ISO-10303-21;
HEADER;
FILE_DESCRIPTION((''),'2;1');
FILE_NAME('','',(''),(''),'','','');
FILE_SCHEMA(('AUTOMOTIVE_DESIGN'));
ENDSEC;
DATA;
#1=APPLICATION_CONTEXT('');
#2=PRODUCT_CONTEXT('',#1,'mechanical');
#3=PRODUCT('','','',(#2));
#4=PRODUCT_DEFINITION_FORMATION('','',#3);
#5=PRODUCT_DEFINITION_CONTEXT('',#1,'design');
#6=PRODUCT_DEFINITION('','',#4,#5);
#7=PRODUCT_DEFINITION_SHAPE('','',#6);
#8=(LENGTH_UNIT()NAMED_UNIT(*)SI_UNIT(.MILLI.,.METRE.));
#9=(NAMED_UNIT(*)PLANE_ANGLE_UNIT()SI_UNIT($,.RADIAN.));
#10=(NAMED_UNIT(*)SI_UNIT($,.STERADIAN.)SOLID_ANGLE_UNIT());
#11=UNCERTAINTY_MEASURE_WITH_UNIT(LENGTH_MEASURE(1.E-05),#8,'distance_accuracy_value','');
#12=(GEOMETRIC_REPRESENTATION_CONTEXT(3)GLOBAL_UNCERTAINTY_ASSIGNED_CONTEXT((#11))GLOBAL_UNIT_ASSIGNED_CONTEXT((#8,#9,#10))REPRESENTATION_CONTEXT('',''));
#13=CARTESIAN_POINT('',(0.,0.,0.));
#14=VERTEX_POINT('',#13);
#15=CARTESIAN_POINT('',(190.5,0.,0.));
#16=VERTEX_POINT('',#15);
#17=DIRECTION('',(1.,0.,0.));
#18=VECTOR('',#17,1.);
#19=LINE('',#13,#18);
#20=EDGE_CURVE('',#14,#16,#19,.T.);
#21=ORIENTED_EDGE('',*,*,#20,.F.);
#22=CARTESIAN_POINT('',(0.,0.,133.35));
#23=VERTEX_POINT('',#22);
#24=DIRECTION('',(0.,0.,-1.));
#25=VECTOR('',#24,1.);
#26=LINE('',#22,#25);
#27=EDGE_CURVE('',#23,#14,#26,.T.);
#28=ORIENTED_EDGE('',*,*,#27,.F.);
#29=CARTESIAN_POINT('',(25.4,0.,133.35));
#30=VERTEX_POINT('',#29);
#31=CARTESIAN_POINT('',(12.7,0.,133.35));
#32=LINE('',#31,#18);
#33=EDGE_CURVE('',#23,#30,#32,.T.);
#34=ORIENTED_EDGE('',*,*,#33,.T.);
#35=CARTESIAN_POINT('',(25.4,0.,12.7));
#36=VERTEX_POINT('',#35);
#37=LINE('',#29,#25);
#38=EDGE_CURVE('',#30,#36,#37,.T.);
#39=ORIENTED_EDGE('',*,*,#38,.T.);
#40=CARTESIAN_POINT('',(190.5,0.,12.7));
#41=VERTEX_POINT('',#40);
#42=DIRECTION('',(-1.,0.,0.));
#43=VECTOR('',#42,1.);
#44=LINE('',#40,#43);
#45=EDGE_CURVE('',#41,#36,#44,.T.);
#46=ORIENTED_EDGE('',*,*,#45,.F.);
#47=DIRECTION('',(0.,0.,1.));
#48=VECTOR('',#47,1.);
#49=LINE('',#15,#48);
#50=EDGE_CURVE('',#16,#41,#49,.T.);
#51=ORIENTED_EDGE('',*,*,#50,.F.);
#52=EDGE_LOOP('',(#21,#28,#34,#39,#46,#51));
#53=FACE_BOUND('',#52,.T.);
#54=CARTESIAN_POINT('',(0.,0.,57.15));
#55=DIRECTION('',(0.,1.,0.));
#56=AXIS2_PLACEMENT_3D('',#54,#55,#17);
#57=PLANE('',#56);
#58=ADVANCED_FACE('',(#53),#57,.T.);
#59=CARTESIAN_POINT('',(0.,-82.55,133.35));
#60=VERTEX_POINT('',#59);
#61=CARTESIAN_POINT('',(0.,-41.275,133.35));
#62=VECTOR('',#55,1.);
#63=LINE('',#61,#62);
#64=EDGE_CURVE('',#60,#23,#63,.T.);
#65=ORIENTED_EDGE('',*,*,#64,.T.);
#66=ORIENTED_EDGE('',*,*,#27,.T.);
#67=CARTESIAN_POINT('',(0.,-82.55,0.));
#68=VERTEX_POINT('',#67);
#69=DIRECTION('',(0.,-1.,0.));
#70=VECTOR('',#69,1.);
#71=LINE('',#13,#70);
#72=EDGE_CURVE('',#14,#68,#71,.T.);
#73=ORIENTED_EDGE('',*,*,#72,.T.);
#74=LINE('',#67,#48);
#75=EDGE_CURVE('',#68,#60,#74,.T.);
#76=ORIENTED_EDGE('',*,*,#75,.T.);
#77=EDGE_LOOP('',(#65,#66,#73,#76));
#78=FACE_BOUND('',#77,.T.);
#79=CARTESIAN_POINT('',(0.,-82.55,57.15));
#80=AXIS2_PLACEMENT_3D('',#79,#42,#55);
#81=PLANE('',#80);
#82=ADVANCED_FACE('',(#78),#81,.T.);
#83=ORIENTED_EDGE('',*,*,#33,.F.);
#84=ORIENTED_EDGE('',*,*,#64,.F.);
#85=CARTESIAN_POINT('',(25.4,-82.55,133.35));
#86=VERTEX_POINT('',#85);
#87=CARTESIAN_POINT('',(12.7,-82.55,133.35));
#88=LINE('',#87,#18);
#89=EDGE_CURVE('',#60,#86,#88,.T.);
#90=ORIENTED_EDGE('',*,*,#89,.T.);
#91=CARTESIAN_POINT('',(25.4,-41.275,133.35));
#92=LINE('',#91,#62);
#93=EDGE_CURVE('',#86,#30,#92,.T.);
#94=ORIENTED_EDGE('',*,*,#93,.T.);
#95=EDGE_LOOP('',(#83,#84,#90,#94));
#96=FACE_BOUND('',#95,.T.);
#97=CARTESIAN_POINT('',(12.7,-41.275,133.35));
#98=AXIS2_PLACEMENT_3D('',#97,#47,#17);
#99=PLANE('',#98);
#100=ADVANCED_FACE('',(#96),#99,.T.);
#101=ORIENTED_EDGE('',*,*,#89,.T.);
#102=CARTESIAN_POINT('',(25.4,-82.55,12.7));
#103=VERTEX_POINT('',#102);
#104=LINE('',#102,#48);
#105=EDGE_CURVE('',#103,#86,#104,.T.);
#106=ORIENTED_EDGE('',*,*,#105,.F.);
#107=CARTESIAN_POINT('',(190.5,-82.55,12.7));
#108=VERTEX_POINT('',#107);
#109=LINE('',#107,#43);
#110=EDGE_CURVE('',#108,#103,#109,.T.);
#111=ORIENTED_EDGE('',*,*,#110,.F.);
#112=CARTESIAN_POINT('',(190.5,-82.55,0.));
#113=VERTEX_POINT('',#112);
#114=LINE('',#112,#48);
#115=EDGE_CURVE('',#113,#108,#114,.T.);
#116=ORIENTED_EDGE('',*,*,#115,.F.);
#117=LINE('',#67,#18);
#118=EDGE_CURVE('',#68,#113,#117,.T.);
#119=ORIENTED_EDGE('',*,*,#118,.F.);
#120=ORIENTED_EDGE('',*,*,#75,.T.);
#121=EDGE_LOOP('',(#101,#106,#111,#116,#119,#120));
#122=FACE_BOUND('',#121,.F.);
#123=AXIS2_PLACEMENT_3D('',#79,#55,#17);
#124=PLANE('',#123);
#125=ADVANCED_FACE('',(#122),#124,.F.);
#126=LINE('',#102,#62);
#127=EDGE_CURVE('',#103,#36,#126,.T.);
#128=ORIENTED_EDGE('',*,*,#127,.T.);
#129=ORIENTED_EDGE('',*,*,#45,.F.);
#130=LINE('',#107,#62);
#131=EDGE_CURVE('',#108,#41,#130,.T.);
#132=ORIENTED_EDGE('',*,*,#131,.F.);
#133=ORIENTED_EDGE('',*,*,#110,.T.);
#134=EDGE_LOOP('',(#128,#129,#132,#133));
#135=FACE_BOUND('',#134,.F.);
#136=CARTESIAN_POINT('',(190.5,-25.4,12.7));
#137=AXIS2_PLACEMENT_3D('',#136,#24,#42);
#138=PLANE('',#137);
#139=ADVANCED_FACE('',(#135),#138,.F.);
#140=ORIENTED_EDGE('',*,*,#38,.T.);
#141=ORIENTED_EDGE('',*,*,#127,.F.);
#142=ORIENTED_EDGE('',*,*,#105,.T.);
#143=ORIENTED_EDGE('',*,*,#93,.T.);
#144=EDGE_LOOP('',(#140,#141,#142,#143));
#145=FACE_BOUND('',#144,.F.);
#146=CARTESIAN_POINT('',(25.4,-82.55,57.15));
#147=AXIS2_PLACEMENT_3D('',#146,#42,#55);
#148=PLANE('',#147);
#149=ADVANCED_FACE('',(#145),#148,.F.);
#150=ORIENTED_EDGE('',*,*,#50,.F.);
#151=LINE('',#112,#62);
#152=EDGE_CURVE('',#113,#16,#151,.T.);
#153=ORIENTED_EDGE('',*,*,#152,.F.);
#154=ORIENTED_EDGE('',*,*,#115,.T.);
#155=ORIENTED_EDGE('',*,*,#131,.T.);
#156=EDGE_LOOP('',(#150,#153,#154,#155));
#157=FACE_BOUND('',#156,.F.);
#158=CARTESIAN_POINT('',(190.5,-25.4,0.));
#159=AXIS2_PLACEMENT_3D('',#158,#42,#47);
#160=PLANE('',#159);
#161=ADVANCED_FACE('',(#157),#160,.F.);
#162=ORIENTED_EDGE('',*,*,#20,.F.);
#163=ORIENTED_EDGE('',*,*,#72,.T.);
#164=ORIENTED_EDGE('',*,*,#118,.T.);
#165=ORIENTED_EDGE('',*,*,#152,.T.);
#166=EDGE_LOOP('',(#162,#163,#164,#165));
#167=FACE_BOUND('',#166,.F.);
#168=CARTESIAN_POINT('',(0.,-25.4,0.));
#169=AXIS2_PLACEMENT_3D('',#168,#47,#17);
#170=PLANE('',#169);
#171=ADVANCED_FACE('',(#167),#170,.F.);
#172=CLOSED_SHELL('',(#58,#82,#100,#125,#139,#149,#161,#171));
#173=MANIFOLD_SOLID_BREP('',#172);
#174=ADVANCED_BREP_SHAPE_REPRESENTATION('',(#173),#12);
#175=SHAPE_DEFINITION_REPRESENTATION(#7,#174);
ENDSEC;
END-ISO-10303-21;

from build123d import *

# Parameters (mm, degrees)
F1_DEPTH  = 25.4
F2_DEPTH  = 57.15
F2_FACE_W = 25.4
F2_FACE_H = 82.55
F3_DEPTH  = 76.2


with BuildPart() as f1:
    # F0 (on Front) → F1 (new body)
    with BuildSketch(Plane.XZ):
        Polygon((0, 57.15), (0, 0), (190.5, 0), (190.5, 12.7), (25.4, 12.7), (25.4, 57.15), align=None)
    extrude(amount=F1_DEPTH)

    # F1_face (on face) → F2 (join)
    with BuildSketch(Plane(origin=(68.984091, -25.4, 15.442045), x_dir=(1, 0, 0), z_dir=(0, -1, 0))):
        Polygon((-43.584091, -2.742045), (-43.584091, 41.707955), (-68.984091, 41.707955), (-68.984091, -15.442045), (121.515909, -15.442045), (121.515909, -2.742045), align=None)
    extrude(amount=F2_DEPTH)

    # F2_face (on face) → F3 (join)
    with BuildSketch(Plane(origin=(12.7, -41.275, 57.15), x_dir=(1, 0, 0), z_dir=(0, 0, 1))):
        Rectangle(F2_FACE_W, F2_FACE_H)
    extrude(amount=F3_DEPTH)


solid = f1.part
